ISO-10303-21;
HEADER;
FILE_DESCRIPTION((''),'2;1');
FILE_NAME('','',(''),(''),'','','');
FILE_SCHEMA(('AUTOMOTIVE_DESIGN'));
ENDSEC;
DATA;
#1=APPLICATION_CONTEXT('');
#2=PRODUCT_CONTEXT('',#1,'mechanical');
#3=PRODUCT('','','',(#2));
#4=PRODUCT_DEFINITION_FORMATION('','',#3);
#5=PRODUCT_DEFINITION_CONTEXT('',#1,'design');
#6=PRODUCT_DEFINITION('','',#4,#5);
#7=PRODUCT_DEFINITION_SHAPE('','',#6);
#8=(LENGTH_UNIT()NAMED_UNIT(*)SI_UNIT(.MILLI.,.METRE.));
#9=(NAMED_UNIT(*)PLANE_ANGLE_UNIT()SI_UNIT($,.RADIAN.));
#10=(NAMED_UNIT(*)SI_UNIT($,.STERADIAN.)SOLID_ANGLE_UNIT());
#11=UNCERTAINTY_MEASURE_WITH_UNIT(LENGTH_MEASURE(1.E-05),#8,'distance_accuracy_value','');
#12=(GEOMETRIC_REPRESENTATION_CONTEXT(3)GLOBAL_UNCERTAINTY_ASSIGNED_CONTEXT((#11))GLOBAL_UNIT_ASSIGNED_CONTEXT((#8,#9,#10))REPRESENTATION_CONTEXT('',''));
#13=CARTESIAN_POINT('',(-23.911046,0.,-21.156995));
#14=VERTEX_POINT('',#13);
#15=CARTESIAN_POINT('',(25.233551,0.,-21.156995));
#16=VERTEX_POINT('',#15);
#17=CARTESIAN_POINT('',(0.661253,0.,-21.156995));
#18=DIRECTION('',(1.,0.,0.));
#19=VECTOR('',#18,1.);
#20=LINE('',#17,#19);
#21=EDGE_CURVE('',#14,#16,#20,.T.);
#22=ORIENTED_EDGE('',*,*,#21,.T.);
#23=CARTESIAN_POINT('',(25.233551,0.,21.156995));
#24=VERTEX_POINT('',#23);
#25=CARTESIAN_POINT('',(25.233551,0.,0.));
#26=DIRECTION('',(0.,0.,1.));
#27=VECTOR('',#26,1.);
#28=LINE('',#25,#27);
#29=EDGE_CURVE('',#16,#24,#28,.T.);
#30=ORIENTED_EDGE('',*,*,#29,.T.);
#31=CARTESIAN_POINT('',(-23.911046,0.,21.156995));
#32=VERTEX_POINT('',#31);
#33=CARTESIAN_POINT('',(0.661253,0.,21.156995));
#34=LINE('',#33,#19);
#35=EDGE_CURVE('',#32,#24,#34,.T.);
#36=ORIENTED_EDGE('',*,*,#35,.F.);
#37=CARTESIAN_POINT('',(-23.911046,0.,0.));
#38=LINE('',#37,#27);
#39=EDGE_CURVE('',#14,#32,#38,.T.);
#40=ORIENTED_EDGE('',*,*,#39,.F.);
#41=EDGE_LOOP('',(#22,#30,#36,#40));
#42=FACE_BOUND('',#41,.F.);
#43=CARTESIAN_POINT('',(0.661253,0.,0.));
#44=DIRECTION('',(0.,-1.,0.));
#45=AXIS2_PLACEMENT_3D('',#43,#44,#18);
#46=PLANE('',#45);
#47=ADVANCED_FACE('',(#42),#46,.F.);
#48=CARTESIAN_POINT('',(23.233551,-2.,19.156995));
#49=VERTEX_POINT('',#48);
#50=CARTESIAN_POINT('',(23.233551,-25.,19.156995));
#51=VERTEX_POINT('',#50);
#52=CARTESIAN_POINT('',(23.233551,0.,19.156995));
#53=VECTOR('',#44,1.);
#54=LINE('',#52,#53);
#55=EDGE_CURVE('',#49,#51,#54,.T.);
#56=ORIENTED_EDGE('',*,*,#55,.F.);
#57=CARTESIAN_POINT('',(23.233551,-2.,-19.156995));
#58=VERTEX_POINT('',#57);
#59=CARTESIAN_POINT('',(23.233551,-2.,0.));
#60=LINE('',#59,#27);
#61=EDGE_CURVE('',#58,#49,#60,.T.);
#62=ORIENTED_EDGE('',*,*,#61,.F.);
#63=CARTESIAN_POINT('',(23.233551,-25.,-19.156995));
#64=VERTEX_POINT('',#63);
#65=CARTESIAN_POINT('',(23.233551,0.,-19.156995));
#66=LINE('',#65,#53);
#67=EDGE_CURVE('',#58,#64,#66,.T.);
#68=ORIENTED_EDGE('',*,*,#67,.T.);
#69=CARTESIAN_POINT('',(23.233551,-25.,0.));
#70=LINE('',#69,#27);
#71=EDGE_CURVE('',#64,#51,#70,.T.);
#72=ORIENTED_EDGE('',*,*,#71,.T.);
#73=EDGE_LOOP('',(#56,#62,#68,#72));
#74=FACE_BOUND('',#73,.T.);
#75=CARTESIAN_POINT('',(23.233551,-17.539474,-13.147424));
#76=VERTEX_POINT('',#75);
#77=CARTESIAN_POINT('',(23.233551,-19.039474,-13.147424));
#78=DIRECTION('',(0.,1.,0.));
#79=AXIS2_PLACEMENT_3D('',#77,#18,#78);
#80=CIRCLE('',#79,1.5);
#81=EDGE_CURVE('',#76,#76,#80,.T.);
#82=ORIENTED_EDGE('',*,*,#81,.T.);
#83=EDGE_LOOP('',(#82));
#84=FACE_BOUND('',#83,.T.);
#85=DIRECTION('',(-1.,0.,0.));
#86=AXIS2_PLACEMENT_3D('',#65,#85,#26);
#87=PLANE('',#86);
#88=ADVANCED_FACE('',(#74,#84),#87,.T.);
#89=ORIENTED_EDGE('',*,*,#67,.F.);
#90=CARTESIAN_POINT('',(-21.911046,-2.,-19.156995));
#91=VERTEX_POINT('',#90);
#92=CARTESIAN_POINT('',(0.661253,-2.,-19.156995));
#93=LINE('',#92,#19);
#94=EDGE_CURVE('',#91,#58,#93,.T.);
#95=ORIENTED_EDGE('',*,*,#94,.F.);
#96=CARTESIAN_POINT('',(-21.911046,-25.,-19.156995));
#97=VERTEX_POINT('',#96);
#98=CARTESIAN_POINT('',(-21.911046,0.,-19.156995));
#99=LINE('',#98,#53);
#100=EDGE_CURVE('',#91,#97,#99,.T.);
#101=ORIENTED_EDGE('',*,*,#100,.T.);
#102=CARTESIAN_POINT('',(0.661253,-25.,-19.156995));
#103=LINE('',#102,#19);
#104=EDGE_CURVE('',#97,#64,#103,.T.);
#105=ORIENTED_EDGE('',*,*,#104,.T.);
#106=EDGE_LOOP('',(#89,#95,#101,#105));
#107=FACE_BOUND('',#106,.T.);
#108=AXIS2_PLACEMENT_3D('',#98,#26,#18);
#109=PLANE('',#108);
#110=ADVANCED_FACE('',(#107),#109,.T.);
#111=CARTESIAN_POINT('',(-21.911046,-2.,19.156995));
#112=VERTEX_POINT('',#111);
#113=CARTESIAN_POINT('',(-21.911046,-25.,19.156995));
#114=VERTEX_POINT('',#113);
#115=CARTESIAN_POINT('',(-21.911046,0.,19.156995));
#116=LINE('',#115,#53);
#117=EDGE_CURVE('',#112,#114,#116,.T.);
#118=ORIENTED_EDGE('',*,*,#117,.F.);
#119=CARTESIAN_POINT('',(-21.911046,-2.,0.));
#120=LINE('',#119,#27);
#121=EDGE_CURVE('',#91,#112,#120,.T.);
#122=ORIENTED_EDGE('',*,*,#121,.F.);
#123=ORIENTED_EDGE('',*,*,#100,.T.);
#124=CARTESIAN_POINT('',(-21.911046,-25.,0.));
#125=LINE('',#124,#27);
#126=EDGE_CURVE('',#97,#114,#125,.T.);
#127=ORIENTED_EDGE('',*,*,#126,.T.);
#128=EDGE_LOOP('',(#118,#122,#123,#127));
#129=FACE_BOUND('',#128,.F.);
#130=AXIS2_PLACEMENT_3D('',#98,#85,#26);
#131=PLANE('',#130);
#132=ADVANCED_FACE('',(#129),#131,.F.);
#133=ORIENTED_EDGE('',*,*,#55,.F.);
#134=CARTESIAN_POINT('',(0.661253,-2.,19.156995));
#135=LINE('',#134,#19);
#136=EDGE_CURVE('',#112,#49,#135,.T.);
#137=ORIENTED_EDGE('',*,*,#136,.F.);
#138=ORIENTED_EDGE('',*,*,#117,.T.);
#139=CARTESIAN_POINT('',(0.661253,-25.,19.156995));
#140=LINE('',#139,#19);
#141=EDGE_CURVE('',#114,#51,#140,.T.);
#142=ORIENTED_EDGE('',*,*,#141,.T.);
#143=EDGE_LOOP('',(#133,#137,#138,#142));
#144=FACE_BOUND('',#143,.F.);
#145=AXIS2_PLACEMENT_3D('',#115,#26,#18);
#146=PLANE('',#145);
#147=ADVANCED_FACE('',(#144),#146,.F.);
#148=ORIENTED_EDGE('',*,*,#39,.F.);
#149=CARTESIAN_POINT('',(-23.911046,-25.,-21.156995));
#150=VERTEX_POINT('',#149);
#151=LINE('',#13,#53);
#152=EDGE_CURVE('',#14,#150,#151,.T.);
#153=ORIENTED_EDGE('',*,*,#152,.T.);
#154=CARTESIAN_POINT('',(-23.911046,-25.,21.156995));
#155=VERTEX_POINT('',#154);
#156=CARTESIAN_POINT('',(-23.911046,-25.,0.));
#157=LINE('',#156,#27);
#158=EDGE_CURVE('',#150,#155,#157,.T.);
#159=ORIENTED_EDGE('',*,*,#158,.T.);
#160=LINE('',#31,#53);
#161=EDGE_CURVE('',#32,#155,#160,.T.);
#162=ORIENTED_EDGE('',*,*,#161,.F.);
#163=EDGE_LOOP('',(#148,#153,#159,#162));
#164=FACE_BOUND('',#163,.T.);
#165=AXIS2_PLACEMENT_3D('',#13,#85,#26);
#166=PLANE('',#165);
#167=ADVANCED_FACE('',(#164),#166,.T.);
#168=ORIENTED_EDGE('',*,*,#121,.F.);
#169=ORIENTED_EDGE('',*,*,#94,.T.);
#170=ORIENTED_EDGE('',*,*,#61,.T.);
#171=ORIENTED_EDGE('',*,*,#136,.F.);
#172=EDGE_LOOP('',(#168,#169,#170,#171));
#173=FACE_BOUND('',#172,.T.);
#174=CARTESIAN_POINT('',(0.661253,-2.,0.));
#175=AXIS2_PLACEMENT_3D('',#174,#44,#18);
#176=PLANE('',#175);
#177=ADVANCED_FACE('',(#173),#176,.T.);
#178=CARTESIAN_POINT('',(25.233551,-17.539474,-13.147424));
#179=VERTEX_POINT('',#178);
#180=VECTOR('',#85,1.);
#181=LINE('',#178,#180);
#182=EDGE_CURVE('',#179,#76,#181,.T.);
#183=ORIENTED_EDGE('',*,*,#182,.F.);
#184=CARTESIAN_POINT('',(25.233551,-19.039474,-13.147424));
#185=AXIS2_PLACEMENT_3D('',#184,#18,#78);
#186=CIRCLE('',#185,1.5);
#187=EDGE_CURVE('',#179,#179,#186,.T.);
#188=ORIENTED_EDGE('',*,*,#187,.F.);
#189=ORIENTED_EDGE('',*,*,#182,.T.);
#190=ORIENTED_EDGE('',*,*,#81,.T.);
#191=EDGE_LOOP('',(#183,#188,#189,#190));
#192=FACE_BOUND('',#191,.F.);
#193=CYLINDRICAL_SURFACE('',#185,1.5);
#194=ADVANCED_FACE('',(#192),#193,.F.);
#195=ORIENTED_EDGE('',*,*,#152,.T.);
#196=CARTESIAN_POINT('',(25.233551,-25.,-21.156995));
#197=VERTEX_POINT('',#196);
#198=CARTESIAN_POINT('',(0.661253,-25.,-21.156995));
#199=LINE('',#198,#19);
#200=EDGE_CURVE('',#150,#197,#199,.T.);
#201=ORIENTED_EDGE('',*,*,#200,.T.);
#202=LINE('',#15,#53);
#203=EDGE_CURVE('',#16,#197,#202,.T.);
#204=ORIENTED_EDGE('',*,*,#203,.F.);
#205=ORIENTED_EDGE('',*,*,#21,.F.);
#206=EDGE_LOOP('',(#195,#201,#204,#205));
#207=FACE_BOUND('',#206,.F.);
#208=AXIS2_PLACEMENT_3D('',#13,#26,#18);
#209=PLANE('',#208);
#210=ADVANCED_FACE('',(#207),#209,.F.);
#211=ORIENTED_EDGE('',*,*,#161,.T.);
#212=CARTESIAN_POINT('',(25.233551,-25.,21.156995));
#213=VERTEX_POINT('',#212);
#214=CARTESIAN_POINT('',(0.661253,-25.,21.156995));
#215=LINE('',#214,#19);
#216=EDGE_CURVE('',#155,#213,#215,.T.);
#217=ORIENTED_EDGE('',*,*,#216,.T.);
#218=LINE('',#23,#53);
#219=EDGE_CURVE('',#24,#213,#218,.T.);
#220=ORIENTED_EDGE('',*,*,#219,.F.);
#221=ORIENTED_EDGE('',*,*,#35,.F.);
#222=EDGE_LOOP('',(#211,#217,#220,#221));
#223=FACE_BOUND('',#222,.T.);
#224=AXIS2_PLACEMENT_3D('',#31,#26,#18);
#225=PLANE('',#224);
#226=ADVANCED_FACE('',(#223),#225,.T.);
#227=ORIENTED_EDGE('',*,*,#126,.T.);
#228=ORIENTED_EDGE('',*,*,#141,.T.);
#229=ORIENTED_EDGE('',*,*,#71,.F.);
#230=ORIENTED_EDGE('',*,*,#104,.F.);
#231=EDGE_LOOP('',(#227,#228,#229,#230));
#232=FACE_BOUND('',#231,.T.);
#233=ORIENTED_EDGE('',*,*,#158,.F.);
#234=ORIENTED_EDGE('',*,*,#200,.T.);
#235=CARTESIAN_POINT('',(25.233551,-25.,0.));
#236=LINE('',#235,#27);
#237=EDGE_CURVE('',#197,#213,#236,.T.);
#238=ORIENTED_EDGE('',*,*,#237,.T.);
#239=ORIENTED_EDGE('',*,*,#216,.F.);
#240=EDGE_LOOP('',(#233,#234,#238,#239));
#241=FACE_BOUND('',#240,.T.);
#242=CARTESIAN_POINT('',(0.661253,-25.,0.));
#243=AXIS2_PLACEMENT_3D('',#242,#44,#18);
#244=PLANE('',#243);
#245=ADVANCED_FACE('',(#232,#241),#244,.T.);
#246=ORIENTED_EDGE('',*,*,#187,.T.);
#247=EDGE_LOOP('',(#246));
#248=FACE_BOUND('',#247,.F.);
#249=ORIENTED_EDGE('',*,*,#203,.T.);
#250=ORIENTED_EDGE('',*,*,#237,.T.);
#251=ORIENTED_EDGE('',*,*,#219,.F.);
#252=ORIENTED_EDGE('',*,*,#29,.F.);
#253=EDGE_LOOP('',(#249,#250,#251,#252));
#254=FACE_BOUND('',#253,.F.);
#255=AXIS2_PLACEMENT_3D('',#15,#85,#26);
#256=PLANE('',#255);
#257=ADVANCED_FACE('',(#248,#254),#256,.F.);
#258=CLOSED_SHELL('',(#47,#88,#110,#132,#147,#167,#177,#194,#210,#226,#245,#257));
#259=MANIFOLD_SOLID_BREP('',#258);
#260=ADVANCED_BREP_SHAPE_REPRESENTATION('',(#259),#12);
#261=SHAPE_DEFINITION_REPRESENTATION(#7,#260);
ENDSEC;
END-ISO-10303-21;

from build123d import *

# Parameters (mm, degrees)
F0_W     = 45.1445972584
F0_H     = 38.3139892519
F1_DEPTH = 2
F0_W_2   = 49.1445972584
F0_H_2   = 42.3139892519
F2_DEPTH = 25
F3_R     = 1.5
F4_DEPTH = 2


with BuildPart() as f1:
    # F0 (on Front) → F1 (new body)
    with BuildSketch(Plane.XZ):
        with Locations((0.661252765, 0)):
            Rectangle(F0_W, F0_H)
    extrude(amount=F1_DEPTH)

    # F0 (on Front) → F2 (join)
    with BuildSketch(Plane.XZ):
        with Locations((0.661252765, 0)):
            Rectangle(F0_W_2, F0_H_2)
        with Locations((0.661252765, 0)):
            Rectangle(F0_W, F0_H, mode=Mode.SUBTRACT)
    extrude(amount=F2_DEPTH)

    # F3 (on face) → F4 (cut, through all)
    with BuildSketch(Plane.YZ.offset(25.2335513942)):
        with Locations((-19.0394744277, -13.1474239752)):
            Circle(F3_R)
    extrude(amount=-F4_DEPTH, mode=Mode.SUBTRACT)


solid = f1.part
